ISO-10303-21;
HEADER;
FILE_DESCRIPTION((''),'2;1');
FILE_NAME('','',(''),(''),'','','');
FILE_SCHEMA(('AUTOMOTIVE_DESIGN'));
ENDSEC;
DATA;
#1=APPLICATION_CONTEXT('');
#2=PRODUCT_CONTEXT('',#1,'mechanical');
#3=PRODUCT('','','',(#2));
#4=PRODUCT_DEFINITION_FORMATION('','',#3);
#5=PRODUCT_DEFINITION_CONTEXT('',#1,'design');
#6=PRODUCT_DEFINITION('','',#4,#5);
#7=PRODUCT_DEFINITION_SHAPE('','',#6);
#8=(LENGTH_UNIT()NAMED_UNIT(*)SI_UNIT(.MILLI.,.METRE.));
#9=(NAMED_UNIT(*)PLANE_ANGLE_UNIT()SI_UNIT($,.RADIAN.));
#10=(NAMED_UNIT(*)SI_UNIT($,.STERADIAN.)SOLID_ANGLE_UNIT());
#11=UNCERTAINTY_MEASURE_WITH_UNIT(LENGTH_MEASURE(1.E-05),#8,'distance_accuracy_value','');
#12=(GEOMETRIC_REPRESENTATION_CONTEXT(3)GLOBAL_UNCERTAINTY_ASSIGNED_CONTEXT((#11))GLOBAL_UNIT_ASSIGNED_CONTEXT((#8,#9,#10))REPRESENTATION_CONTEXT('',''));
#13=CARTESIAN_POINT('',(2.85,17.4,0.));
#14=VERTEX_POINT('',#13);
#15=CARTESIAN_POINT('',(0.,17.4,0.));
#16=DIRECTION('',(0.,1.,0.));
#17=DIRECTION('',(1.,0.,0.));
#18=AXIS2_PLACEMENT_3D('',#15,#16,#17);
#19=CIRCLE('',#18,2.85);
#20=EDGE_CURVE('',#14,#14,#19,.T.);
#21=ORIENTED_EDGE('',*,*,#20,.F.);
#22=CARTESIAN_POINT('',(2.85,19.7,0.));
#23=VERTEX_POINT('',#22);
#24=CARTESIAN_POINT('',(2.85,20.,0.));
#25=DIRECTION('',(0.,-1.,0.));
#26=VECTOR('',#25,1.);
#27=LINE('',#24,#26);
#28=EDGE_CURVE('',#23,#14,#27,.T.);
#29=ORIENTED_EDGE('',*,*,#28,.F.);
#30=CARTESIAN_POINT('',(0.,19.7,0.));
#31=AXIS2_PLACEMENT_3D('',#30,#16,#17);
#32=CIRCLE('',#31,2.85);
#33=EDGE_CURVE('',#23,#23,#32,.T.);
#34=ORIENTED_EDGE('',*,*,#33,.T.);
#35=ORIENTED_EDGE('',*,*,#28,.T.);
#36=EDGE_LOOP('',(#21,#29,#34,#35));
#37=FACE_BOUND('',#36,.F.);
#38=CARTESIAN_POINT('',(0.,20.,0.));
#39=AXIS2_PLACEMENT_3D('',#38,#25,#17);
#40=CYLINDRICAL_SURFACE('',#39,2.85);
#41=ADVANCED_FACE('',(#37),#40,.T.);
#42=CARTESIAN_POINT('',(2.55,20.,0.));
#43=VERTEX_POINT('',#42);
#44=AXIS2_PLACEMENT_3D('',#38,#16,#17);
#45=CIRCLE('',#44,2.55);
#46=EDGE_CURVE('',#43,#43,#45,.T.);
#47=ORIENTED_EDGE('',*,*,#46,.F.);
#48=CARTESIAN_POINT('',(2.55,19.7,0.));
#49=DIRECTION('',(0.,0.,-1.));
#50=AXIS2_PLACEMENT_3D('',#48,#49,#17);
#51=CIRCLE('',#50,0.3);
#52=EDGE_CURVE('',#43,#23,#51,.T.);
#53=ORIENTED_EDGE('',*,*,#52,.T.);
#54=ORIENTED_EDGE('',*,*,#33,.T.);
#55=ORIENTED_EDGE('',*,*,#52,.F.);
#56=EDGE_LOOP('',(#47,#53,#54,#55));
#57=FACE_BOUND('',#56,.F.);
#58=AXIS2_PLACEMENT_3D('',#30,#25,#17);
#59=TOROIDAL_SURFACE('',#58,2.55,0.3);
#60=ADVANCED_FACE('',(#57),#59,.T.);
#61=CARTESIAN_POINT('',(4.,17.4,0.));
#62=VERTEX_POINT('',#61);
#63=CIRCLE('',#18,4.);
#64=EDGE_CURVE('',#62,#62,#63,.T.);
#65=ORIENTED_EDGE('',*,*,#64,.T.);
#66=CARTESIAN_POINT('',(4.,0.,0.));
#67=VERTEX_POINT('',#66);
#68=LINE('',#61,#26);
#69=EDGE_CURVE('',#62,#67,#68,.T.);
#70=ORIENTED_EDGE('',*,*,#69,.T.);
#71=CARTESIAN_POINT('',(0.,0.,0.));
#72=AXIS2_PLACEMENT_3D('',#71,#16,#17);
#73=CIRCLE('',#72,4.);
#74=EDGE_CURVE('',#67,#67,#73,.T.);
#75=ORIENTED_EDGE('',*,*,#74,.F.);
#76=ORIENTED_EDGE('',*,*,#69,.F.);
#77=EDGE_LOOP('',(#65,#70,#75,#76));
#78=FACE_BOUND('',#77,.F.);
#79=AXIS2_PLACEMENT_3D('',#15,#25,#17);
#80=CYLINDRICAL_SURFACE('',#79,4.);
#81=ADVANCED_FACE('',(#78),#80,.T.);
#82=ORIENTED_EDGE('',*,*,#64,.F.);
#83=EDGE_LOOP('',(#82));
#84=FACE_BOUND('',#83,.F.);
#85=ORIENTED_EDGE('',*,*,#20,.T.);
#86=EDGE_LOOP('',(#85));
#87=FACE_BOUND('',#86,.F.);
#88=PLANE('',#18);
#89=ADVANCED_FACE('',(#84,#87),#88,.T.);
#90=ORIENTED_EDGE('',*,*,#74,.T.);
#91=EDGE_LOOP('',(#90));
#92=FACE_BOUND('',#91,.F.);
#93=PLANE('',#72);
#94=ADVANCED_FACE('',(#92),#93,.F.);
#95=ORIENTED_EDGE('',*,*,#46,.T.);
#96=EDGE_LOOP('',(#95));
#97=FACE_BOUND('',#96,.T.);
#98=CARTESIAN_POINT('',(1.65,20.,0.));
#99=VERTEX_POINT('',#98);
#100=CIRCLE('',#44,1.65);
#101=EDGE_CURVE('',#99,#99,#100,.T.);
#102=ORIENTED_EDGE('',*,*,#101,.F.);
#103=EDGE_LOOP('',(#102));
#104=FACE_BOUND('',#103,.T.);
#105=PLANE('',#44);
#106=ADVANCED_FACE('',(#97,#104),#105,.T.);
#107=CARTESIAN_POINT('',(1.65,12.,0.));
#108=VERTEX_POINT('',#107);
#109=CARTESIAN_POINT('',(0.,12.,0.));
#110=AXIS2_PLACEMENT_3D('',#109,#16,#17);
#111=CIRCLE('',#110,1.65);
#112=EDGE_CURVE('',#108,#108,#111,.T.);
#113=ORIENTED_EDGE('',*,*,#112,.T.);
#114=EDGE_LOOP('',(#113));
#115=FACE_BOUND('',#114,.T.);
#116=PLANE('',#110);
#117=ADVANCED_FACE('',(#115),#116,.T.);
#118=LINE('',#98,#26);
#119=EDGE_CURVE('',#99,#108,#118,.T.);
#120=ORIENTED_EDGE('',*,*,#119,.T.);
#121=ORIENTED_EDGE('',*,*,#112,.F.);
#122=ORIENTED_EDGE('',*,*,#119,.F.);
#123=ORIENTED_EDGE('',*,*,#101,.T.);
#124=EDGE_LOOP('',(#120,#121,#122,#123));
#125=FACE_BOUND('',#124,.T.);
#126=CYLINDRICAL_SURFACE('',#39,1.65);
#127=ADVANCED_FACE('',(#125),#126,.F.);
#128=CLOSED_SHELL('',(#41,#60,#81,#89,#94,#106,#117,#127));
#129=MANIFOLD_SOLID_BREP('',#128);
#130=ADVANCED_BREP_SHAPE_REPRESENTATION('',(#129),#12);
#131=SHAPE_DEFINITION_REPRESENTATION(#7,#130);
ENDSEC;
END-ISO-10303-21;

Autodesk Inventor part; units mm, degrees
ref_plane "YZ Plane" through (0, 0, 0) normal (1, 0, 0) x (0, 1, 0)
ref_plane "XZ Plane" through (0, 0, 0) normal (0, 1, 0) x (-1, 0, 0)
ref_plane "XY Plane" through (0, 0, 0) normal (0, 0, 1) x (1, 0, 0)
sketch "Sketch1" plane through (0, 0, 0) normal (0, 0, 1) x (1, 0, 0)
  line L0 (0, 0) -> (0, 20)
  line L1 (2.85, 20) -> (2.85, 17.4)
  line L2 (2.85, 17.4) -> (4, 17.4)
  line L3 (4, 17.4) -> (4, 0)
  line L4 (4, 0) -> (0, 0)
  line L5 (2.85, 20) -> (1.65, 20)
  line L6 (1.65, 20) -> (1.65, 12)
  line L7 (1.65, 12) -> (0, 12)
  dimension "d0" = 8
  dimension "d1" = 5.7
  dimension "d2" = 2.6
  dimension "d3" = 20
  dimension "d6" = 3.3
  dimension "d7" = 8
revolve "Revolution1" add sketch "Sketch1" angle 360 about axis through (0, 0, 0) along (0, 1, 0)
fillet "Fillet1" radius 0.3 1 edges at (-2.85, 20, 0)
properties part number "Pok X-Carriage Bottom Support" material "ABS Plastic"
